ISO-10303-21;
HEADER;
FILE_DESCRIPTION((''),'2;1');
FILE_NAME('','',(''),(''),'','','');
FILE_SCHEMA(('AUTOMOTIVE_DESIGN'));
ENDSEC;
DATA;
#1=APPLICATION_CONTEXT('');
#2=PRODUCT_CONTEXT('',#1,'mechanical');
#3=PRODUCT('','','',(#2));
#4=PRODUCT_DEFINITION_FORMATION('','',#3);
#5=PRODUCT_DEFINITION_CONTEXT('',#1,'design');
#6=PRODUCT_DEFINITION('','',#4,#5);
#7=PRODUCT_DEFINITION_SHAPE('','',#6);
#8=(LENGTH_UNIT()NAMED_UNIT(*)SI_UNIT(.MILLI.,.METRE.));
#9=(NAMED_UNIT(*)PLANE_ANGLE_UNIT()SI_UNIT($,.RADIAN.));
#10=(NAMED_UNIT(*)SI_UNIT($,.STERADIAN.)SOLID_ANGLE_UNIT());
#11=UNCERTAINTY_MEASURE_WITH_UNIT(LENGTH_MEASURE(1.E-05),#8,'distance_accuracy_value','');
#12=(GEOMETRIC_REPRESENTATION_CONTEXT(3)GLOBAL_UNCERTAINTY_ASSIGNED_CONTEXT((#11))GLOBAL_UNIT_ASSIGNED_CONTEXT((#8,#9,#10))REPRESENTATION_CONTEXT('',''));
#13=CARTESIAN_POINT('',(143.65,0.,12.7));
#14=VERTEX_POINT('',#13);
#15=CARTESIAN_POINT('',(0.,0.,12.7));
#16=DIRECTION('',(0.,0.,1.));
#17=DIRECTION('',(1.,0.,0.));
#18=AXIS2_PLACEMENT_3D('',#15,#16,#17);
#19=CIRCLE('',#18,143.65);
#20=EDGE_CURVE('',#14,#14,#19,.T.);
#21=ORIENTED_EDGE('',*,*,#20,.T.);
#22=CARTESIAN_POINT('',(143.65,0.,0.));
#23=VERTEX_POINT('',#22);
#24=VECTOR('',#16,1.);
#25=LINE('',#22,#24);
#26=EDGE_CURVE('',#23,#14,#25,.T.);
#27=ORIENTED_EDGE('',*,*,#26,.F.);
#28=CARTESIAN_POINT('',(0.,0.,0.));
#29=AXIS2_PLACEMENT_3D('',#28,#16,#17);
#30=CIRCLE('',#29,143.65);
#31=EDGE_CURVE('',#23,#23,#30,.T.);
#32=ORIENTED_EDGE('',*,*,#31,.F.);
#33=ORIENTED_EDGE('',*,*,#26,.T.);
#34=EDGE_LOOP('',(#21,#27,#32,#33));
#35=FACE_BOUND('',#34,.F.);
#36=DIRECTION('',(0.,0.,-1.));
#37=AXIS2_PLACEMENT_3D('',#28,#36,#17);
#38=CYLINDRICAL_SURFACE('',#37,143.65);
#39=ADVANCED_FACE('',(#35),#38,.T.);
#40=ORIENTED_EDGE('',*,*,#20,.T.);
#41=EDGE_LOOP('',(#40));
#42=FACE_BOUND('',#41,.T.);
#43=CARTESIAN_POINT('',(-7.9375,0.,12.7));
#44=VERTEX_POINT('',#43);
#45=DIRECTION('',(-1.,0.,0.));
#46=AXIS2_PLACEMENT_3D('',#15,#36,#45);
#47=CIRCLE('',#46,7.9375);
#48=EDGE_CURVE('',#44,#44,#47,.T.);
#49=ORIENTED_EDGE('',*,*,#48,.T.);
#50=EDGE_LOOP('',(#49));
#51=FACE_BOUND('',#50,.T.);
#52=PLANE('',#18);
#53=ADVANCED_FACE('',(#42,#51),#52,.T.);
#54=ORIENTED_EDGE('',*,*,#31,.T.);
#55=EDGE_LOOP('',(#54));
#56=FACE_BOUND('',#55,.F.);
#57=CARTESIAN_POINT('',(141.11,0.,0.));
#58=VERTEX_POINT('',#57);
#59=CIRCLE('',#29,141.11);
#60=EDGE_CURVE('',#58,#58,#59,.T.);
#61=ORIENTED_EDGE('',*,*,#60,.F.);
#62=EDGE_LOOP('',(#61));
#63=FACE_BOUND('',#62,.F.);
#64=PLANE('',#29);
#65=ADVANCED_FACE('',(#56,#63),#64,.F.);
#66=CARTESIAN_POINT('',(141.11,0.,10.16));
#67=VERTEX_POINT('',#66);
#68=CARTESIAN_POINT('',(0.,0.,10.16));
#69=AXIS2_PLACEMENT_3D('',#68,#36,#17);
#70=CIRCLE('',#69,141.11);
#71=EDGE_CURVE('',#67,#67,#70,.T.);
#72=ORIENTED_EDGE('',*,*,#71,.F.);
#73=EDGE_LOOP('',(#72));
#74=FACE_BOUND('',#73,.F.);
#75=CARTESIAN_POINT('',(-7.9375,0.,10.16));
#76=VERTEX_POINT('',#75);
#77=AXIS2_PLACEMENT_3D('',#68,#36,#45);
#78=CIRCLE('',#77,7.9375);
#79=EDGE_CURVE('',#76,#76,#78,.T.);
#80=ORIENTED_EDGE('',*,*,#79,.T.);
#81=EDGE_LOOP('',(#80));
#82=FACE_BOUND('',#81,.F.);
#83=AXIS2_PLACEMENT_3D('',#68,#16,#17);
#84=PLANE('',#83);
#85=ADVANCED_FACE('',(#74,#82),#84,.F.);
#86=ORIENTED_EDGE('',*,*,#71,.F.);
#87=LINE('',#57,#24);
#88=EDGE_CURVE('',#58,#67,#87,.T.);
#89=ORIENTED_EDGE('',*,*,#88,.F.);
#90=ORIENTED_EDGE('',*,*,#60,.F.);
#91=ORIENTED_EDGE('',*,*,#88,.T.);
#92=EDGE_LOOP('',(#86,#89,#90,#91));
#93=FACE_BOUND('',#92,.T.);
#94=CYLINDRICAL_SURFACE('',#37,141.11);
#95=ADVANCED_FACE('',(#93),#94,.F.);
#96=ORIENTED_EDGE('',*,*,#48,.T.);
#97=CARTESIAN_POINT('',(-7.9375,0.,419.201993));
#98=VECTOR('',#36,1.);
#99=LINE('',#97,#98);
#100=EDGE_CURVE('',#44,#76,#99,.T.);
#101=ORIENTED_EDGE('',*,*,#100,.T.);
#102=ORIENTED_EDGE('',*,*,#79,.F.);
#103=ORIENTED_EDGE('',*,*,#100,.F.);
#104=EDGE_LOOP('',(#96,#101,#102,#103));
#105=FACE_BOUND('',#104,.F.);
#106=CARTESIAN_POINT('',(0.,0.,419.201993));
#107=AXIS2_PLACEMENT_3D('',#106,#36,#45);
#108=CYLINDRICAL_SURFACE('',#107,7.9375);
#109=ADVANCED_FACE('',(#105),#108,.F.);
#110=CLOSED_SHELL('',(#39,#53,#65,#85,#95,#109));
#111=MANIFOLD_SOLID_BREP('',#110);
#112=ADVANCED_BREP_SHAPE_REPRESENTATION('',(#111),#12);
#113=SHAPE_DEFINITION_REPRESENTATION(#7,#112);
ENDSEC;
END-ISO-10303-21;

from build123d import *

# Parameters (mm, degrees)
F0_R     = 143.65
F1_DEPTH = 12.7
F2_T     = -2.54
F4_D     = 15.875


with BuildPart() as f1:
    # F0 (on Top) → F1 (new body)
    with BuildSketch(Plane.XY):
        Circle(F0_R)
    extrude(amount=F1_DEPTH)

    # F2
    f2_openings = [f1.faces().sort_by_distance(p)[0] for p in [
        (0, 0, 0),
    ]]
    offset(amount=F2_T, openings=f2_openings)

    # F4 (through all)
    with Locations(Plane.XY.offset(12.7)):
        with Locations((0, 0)):
            Hole(F4_D / 2)


solid = f1.part
